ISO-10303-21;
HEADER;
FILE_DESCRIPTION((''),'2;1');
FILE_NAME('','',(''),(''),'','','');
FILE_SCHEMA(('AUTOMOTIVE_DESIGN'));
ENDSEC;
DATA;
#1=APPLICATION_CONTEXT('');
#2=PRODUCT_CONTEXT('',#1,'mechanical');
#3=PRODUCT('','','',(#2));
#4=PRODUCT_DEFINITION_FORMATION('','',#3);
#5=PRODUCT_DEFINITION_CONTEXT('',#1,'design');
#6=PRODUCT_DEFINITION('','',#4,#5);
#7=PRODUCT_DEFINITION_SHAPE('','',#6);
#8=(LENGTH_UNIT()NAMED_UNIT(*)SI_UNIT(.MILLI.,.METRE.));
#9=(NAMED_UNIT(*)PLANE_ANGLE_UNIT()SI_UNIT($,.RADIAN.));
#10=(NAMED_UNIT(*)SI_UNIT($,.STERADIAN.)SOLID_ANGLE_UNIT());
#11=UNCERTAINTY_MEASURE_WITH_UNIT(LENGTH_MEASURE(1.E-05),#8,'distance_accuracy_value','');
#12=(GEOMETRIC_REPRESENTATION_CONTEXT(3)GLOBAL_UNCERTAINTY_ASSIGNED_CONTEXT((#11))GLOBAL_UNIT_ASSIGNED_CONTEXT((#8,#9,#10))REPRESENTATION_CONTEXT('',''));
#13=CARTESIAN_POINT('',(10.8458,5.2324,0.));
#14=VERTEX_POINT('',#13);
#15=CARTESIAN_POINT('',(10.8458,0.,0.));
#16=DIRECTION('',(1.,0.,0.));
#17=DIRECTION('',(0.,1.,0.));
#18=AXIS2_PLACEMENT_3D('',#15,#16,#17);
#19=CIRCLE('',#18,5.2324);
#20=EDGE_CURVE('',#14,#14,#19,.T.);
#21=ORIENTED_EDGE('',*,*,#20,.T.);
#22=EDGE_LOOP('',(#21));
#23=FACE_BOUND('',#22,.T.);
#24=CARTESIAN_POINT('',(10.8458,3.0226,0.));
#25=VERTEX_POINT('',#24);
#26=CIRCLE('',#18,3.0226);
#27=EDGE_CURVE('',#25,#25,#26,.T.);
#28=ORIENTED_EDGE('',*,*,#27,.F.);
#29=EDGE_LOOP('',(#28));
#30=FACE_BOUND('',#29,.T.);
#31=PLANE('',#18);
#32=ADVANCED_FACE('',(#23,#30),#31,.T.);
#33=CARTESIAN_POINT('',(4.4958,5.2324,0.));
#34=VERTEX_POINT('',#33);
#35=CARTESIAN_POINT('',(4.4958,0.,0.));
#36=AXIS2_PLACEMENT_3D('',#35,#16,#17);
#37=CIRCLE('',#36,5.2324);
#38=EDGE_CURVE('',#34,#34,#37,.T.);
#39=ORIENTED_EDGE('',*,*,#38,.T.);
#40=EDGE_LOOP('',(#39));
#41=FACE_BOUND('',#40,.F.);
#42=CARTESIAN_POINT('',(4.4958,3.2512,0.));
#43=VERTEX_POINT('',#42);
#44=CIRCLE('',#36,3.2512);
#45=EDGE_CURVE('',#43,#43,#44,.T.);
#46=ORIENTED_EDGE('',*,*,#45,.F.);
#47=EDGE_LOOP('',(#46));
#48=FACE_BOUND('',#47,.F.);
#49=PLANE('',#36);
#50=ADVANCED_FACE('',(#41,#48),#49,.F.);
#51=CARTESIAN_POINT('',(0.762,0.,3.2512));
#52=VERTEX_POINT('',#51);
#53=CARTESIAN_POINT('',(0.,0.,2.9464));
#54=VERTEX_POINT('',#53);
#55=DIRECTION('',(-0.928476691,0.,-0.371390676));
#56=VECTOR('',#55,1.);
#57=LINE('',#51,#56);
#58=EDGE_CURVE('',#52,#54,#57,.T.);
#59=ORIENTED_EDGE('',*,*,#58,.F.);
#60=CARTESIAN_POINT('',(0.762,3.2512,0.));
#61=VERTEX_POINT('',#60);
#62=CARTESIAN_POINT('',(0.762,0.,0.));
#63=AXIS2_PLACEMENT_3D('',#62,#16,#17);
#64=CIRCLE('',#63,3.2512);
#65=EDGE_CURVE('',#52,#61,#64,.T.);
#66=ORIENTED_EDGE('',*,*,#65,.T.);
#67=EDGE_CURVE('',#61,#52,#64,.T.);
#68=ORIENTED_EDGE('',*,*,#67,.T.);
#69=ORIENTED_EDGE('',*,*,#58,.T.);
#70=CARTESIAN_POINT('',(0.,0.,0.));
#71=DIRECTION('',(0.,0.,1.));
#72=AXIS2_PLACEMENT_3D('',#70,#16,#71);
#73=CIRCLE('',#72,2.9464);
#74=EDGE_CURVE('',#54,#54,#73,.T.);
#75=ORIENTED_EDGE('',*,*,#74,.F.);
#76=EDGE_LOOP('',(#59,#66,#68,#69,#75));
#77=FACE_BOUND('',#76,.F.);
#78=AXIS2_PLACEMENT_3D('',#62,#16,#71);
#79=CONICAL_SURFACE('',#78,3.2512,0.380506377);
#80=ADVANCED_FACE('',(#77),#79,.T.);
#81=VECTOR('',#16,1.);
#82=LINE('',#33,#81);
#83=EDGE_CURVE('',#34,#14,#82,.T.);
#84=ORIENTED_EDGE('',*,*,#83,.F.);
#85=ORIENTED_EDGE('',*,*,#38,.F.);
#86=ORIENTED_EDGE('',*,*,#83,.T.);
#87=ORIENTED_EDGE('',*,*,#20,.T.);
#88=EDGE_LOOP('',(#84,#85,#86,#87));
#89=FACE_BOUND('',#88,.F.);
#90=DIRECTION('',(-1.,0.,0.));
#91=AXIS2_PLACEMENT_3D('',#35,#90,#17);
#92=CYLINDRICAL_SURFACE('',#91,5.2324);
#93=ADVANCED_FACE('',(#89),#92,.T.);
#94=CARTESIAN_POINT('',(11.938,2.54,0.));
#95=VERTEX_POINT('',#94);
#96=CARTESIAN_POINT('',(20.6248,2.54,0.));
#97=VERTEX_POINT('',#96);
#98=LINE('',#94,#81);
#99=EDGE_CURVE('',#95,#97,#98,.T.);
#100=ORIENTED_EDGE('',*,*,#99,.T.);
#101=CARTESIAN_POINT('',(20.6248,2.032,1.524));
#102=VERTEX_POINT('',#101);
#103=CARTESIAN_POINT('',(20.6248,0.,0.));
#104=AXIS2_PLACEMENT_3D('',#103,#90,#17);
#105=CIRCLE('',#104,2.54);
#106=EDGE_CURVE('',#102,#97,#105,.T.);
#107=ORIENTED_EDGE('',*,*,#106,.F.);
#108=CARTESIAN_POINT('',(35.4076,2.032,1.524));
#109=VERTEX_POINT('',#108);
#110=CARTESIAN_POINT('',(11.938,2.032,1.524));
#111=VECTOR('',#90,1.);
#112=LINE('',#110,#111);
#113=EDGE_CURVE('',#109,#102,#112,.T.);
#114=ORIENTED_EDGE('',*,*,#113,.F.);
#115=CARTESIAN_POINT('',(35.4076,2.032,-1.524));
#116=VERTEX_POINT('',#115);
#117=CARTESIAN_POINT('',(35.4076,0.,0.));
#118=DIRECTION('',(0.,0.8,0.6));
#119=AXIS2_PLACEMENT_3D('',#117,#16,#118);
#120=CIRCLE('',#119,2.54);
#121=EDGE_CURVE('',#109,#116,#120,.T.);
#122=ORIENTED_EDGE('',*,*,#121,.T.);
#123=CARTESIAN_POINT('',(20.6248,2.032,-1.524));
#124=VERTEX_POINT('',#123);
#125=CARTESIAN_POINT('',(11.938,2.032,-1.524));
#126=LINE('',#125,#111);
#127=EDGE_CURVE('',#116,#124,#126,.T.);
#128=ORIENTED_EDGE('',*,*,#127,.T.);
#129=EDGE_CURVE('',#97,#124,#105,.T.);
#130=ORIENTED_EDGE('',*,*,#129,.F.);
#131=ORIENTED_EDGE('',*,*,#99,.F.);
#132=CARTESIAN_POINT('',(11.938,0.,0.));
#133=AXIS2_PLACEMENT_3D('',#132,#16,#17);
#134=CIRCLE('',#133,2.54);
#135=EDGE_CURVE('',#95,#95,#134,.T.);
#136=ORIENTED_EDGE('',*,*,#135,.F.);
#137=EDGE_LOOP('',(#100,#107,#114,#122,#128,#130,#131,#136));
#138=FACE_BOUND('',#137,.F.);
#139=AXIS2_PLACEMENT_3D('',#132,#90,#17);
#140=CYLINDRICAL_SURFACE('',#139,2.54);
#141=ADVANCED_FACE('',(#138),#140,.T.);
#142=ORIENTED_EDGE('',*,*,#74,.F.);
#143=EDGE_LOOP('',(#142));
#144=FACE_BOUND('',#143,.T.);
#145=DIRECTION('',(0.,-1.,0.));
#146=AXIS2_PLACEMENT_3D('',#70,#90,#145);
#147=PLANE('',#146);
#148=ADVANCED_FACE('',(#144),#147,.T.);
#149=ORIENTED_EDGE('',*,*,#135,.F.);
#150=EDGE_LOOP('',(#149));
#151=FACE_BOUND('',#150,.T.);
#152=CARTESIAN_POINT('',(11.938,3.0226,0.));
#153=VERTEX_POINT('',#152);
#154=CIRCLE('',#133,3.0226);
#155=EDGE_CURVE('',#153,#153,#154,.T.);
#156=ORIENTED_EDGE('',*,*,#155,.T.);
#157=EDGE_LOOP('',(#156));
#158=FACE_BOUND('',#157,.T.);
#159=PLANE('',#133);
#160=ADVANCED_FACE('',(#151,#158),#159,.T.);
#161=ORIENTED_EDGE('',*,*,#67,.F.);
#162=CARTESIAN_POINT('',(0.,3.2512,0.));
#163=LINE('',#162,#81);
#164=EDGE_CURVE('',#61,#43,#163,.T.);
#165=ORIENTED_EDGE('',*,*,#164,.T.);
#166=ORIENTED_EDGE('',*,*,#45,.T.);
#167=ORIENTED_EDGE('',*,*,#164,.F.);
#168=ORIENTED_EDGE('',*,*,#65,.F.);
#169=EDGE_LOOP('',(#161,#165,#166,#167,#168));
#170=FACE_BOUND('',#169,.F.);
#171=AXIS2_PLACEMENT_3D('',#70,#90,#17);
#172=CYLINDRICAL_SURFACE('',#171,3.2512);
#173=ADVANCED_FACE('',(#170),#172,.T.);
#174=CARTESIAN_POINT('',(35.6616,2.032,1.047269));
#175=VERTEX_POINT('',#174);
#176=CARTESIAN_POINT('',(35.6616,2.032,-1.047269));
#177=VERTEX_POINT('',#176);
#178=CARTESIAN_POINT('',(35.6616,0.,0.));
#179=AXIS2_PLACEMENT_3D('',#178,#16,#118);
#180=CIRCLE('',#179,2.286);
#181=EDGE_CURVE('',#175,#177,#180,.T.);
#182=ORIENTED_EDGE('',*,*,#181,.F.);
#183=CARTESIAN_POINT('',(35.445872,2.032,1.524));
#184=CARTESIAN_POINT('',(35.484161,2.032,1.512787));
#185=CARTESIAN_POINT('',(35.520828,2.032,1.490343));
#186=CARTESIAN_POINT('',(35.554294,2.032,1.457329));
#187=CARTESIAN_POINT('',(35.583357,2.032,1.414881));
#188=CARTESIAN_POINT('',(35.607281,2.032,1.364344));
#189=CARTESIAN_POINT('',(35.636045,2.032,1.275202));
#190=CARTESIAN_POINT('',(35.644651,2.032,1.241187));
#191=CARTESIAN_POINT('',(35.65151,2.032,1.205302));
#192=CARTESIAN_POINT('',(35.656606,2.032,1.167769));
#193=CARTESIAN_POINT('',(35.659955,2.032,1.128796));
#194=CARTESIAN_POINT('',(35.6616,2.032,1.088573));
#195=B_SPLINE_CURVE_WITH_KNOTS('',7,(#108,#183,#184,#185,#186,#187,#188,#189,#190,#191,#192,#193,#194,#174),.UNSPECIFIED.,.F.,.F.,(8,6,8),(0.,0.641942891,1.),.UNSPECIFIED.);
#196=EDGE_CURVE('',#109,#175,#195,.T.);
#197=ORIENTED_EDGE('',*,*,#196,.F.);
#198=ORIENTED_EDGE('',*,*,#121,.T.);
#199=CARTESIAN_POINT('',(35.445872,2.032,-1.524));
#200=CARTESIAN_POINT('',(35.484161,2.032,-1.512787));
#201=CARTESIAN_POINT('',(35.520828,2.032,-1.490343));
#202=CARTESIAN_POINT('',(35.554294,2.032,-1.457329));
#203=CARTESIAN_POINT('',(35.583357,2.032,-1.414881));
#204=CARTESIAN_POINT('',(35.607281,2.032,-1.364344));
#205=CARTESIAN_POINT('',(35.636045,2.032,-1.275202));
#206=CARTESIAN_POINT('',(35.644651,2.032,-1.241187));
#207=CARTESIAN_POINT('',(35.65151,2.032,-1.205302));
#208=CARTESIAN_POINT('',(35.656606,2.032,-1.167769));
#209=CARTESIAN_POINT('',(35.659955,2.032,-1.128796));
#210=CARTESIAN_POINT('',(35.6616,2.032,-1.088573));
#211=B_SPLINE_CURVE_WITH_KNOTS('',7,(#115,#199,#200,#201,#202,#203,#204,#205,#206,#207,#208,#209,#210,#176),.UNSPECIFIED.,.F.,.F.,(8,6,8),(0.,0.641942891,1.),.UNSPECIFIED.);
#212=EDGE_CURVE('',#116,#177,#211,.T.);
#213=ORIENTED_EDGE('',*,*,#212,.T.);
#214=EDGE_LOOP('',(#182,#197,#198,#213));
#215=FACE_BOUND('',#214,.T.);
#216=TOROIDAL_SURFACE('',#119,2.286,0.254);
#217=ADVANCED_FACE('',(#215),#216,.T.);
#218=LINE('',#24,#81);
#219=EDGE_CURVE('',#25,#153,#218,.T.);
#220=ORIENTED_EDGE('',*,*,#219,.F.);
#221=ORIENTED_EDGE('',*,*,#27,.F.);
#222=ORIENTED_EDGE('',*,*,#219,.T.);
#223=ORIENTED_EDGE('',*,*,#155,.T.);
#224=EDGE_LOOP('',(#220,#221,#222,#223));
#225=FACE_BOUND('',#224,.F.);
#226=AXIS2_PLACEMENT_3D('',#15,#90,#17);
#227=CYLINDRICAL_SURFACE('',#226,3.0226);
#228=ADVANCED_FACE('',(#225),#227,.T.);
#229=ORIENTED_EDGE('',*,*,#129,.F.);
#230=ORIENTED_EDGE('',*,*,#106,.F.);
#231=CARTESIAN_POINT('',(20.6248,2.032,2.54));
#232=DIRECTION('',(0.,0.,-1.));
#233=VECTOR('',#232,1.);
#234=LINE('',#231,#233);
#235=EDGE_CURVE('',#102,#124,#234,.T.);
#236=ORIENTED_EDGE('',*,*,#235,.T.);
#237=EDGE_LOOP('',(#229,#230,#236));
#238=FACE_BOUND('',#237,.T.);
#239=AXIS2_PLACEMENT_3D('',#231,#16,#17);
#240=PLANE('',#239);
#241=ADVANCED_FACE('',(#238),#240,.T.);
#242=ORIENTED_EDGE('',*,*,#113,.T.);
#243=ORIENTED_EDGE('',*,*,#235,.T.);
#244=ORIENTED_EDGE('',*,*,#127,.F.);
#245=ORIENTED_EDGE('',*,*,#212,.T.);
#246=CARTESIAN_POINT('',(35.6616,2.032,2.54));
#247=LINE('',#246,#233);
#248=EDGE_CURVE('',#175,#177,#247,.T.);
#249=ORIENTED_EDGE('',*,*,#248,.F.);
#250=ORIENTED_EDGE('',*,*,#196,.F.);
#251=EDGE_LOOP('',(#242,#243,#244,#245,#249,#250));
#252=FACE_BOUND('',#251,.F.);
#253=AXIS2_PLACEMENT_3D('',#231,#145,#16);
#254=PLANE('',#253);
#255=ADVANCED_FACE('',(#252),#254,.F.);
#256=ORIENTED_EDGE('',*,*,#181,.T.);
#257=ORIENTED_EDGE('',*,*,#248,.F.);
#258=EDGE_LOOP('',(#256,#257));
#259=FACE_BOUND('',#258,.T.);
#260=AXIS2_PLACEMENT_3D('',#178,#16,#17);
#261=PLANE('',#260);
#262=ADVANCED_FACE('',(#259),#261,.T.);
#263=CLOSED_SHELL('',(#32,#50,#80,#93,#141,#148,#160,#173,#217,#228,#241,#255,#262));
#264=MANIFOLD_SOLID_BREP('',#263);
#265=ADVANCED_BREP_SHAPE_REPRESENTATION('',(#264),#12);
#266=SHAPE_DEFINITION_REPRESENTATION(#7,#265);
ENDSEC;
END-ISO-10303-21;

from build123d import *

# Parameters (mm, degrees)
F0_R      = 3.2512
F1_DEPTH  = 4.4958
F2_R      = 5.2324
F3_DEPTH  = 6.35
F4_R      = 3.0226
F5_DEPTH  = 1.0922
F6_R      = 2.54
F7_DEPTH  = 23.7236
F9_W      = 15.0368
F9_H      = 0.508
F10_DEPTH = 7.7734
F11_R     = 0.254
F12_R     = 3.2512
F13_DEPTH = 0.762
F14_R     = 2.9464
F15_DEPTH = 0.762


with BuildPart() as f1:
    # F0 (on Right) → F1 (new body)
    with BuildSketch(Plane.YZ):
        Circle(F0_R)
    extrude(amount=F1_DEPTH)

    # F2 (on face) → F3 (join)
    with BuildSketch(Plane.YZ.offset(4.4958)):
        Circle(F2_R)
    extrude(amount=F3_DEPTH)

    # F4 (on face) → F5 (join)
    with BuildSketch(Plane.YZ.offset(10.8458)):
        Circle(F4_R)
    extrude(amount=F5_DEPTH)

    # F6 (on face) → F7 (join)
    with BuildSketch(Plane.YZ.offset(11.938)):
        Circle(F6_R)
    extrude(amount=F7_DEPTH)

    # F9 (on offset) → F10 (cut, through all)
    with BuildSketch(Plane.XY.offset(2.54)):
        with Locations((28.1432, 2.286)):
            Rectangle(F9_W, F9_H)
    extrude(amount=-F10_DEPTH, mode=Mode.SUBTRACT)

    # F11
    f11_edges = [f1.edges().sort_by_distance(p)[0] for p in [
        (35.6616, -2.54, 0),
    ]]
    fillet(f11_edges, radius=F11_R)

    # F12 (on face) → F13 (cut)
    with BuildSketch(Plane(origin=(0, 0, 0), x_dir=(0, -1, 0), z_dir=(-1, 0, 0))):
        Circle(F12_R)
    extrude(amount=-F13_DEPTH, mode=Mode.SUBTRACT)

    # F14 (on face) → F15 (join)
    with BuildSketch(Plane(origin=(0.762, 0, 0), x_dir=(0, -1, 0), z_dir=(-1, 0, 0))):
        Circle(F14_R)
    extrude(amount=F15_DEPTH)

    # F16 (on Front) → F17 (revolve)
    with BuildSketch(Plane.XZ):
        Polygon((0, 2.9464), (0.762, 2.9464), (0.762, 3.2512), align=None)
    revolve(axis=Axis((0.381, 0, 0), (1, 0, 0)))


solid = f1.part
